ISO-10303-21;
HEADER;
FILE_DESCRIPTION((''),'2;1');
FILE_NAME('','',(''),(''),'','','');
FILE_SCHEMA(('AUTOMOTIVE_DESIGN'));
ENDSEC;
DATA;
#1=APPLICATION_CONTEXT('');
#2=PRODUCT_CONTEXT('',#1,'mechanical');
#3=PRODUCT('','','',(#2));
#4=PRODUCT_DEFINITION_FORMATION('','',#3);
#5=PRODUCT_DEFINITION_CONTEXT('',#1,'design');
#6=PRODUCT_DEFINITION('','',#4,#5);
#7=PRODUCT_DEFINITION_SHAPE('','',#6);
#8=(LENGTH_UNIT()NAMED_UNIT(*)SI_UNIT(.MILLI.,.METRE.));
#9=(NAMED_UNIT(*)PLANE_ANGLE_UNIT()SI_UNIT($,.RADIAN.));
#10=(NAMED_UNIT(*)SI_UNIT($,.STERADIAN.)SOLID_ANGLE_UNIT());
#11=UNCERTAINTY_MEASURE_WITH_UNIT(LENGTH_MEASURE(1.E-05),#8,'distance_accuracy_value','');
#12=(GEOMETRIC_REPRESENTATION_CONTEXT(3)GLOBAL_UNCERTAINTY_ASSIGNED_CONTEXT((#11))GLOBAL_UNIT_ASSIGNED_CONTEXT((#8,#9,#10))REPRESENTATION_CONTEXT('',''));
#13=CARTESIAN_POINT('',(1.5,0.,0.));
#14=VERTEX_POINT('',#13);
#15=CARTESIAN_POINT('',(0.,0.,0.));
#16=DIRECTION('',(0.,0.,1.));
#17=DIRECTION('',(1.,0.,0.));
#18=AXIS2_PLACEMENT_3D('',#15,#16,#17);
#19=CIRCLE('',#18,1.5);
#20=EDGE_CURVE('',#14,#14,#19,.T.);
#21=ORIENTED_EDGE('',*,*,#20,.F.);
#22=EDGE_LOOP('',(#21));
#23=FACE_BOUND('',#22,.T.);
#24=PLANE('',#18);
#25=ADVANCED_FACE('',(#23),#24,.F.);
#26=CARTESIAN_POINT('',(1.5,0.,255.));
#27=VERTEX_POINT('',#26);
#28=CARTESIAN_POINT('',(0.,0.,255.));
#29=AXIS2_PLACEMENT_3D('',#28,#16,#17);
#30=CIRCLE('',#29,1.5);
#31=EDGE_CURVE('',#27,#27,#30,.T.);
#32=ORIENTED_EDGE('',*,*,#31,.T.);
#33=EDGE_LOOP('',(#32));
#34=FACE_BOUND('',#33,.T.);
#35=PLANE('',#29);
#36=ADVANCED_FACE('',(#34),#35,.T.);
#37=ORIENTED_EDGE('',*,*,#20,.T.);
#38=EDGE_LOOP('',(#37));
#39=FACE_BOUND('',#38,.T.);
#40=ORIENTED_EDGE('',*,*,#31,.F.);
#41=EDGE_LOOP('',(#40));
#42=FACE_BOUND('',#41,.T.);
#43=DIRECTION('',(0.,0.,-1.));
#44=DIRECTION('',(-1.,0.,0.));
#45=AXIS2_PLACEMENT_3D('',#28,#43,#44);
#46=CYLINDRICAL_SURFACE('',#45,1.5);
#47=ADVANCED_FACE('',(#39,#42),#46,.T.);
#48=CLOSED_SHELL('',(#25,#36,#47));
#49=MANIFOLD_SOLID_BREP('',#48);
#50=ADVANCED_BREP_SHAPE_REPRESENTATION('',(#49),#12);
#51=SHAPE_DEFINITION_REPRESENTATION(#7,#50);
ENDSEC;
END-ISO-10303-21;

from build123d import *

# Parameters (mm, degrees)
SCHIZZO1_R                   = 1.5
ESTRUSIONE_ESTRUSIONE1_DEPTH = 255


with BuildPart() as part:
    # Schizzo1 → Estrusione-Estrusione1 (new body)
    with BuildSketch(Plane.XY):
        Circle(SCHIZZO1_R)
    extrude(amount=ESTRUSIONE_ESTRUSIONE1_DEPTH)


solid = part.part
